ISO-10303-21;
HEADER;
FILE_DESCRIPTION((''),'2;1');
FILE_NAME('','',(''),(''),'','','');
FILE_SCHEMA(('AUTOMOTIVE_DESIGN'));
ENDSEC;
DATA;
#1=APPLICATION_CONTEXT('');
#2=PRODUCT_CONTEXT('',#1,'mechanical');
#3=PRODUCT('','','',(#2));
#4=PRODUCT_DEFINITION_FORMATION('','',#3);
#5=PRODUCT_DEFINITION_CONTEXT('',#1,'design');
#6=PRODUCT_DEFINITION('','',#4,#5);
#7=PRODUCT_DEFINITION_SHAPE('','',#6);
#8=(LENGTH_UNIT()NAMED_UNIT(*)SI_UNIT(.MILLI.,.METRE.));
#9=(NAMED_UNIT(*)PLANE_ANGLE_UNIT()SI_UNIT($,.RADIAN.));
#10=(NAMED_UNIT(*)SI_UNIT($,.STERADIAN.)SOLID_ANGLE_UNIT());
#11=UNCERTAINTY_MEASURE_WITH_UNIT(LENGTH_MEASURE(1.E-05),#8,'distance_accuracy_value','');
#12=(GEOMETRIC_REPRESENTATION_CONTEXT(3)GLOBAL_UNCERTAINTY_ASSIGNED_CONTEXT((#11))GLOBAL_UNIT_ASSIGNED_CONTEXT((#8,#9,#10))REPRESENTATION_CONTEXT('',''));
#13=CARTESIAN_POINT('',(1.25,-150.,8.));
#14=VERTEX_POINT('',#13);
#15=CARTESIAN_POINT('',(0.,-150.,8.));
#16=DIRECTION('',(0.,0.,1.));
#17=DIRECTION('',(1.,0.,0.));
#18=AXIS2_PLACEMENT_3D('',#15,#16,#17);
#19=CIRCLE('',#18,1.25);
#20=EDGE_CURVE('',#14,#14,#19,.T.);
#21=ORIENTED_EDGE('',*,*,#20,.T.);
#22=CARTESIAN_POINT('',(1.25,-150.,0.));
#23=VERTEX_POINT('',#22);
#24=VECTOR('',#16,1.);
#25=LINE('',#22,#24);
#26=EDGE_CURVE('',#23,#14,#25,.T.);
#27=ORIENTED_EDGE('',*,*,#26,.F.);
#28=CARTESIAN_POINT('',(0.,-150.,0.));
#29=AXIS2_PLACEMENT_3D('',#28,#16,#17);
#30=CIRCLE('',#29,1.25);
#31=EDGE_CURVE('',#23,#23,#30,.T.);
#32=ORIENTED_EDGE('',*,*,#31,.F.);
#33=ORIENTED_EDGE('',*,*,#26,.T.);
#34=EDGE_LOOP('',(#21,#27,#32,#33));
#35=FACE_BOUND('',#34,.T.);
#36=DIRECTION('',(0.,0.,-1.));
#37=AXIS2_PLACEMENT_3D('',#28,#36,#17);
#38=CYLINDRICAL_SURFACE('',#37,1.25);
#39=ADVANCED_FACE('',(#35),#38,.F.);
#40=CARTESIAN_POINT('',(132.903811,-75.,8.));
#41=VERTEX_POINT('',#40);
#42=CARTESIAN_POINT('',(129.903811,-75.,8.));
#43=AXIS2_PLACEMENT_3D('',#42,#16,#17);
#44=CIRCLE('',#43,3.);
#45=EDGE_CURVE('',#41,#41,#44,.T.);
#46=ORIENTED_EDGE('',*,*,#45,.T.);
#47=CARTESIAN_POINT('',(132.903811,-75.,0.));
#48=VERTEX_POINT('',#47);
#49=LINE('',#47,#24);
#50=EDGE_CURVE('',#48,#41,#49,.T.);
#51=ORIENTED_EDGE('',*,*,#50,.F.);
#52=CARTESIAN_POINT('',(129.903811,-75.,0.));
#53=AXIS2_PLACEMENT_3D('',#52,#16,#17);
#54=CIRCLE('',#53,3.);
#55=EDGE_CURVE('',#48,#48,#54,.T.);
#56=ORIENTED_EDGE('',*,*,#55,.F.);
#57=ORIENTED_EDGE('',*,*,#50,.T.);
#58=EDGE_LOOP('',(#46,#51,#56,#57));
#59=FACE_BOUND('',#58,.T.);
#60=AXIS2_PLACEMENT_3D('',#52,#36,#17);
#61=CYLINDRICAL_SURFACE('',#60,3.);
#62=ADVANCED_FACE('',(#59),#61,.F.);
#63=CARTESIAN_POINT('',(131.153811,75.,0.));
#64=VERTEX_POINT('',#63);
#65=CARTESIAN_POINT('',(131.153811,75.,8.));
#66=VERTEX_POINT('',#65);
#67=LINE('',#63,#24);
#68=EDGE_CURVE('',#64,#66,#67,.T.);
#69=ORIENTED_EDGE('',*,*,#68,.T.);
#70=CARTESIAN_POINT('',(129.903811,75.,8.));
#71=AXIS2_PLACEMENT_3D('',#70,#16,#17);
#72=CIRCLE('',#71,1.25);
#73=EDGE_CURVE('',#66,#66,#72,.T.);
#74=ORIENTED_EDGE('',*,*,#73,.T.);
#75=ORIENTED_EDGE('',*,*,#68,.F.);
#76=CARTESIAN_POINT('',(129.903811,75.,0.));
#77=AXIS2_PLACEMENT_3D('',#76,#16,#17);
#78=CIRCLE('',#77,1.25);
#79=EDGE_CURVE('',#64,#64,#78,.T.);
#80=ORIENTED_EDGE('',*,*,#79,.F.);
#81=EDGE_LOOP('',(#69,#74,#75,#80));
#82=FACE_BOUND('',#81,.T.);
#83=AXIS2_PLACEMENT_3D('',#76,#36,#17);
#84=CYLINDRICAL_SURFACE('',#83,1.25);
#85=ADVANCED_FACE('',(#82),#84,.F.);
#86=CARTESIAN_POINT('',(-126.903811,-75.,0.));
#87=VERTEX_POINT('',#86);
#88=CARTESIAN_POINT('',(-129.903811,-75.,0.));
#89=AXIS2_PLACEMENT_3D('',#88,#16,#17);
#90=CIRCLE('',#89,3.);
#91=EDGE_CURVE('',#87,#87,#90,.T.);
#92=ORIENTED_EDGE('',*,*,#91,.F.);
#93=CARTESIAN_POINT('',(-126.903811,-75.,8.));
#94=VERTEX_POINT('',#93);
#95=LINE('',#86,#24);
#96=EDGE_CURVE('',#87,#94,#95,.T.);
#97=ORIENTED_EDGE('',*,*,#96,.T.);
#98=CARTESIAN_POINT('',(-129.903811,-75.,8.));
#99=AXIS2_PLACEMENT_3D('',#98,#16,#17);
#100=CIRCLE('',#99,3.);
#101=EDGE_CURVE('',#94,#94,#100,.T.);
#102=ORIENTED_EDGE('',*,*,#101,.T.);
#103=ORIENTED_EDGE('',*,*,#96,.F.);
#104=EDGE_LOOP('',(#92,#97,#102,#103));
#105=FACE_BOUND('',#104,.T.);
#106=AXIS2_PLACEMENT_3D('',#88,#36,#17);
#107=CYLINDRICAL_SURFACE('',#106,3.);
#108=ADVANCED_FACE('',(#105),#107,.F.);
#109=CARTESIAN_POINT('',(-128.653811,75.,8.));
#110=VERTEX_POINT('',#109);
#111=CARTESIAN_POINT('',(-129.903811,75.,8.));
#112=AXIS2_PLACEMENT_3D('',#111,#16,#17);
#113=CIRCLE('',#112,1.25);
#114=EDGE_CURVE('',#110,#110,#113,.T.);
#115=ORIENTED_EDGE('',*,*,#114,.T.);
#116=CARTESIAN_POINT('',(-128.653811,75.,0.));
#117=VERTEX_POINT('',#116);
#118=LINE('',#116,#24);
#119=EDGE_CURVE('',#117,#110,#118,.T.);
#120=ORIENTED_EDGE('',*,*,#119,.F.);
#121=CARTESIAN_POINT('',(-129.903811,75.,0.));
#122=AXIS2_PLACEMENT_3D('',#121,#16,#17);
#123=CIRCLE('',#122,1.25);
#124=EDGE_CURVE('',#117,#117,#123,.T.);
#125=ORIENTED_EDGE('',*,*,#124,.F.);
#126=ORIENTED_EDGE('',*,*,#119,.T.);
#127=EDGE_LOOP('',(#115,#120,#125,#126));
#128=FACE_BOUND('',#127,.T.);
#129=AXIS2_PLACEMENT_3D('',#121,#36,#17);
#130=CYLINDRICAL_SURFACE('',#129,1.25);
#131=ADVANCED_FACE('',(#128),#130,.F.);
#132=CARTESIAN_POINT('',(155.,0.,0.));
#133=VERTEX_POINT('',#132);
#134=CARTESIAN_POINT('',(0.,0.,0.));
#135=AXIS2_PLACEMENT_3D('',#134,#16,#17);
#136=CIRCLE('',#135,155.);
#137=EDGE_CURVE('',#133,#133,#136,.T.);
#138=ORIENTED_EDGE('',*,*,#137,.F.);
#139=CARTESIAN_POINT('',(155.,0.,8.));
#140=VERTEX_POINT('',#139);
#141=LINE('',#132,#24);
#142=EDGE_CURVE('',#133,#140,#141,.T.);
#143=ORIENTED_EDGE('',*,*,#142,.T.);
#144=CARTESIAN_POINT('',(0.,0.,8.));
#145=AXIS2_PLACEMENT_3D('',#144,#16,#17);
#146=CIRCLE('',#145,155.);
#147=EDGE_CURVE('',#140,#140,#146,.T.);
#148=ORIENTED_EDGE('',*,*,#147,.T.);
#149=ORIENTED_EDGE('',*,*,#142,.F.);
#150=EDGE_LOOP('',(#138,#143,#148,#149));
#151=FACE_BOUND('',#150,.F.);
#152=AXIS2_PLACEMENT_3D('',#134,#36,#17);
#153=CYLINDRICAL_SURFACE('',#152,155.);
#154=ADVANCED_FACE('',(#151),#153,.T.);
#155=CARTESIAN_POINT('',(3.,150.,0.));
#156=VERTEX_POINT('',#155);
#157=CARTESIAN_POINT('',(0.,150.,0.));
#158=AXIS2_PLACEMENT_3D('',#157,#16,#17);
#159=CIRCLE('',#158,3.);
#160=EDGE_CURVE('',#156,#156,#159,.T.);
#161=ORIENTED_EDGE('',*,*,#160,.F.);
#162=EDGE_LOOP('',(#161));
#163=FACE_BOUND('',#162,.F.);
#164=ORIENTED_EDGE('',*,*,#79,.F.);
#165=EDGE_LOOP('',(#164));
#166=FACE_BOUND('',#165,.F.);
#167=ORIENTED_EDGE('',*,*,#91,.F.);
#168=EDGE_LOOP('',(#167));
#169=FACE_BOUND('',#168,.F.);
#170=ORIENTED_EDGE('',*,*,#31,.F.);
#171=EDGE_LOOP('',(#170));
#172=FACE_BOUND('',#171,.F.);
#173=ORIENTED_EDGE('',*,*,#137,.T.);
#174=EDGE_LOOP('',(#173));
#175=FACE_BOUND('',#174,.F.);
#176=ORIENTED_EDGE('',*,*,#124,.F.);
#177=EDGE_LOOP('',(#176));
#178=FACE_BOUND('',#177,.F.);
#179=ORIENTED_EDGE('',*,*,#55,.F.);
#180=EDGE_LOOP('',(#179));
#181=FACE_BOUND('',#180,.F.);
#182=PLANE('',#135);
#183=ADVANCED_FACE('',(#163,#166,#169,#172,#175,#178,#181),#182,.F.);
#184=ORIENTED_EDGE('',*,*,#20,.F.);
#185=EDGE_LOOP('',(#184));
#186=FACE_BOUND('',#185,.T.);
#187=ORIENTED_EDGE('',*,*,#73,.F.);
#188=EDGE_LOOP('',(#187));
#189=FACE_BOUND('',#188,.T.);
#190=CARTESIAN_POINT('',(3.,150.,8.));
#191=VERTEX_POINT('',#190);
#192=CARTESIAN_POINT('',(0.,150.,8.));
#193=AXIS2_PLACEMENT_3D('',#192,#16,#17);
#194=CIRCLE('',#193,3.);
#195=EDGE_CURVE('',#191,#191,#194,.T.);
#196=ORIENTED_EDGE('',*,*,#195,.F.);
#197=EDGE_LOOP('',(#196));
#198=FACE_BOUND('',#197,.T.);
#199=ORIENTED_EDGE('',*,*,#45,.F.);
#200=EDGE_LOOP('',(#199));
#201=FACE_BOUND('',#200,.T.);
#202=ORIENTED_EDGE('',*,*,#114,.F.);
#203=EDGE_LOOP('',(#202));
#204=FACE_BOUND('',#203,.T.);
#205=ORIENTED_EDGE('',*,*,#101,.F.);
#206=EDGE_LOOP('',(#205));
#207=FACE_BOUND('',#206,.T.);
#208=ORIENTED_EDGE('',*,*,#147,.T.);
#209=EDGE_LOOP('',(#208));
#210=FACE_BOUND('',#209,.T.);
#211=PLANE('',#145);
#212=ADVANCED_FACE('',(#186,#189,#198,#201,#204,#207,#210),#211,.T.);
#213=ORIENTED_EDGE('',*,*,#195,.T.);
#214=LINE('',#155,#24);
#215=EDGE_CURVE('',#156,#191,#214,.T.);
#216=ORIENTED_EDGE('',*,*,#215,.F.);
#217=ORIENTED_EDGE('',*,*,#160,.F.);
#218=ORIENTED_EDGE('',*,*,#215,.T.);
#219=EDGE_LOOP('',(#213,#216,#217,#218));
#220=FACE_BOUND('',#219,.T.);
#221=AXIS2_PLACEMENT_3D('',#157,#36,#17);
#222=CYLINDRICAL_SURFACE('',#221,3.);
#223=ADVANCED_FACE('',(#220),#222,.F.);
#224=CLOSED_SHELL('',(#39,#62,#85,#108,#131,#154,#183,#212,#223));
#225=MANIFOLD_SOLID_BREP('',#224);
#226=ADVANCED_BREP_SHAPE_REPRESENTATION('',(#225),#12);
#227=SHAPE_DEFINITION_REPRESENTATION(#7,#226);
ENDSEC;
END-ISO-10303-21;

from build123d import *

# Parameters (mm, degrees)
F0_R     = 155
F0_R_2   = 3
F0_R_3   = 1.25
F1_DEPTH = 8


with BuildPart() as f1:
    # F0 (on Top) → F1 (new body)
    with BuildSketch(Plane.XY):
        Circle(F0_R)
        with Locations((-129.903811, -75)):
            Circle(F0_R_2, mode=Mode.SUBTRACT)
        with Locations((0, -150)):
            Circle(F0_R_3, mode=Mode.SUBTRACT)
        with Locations((129.903811, -75)):
            Circle(F0_R_2, mode=Mode.SUBTRACT)
        with Locations((-129.903811, 75)):
            Circle(F0_R_3, mode=Mode.SUBTRACT)
        with Locations((129.903811, 75)):
            Circle(F0_R_3, mode=Mode.SUBTRACT)
        with Locations((0, 150)):
            Circle(F0_R_2, mode=Mode.SUBTRACT)
    extrude(amount=F1_DEPTH)


solid = f1.part
